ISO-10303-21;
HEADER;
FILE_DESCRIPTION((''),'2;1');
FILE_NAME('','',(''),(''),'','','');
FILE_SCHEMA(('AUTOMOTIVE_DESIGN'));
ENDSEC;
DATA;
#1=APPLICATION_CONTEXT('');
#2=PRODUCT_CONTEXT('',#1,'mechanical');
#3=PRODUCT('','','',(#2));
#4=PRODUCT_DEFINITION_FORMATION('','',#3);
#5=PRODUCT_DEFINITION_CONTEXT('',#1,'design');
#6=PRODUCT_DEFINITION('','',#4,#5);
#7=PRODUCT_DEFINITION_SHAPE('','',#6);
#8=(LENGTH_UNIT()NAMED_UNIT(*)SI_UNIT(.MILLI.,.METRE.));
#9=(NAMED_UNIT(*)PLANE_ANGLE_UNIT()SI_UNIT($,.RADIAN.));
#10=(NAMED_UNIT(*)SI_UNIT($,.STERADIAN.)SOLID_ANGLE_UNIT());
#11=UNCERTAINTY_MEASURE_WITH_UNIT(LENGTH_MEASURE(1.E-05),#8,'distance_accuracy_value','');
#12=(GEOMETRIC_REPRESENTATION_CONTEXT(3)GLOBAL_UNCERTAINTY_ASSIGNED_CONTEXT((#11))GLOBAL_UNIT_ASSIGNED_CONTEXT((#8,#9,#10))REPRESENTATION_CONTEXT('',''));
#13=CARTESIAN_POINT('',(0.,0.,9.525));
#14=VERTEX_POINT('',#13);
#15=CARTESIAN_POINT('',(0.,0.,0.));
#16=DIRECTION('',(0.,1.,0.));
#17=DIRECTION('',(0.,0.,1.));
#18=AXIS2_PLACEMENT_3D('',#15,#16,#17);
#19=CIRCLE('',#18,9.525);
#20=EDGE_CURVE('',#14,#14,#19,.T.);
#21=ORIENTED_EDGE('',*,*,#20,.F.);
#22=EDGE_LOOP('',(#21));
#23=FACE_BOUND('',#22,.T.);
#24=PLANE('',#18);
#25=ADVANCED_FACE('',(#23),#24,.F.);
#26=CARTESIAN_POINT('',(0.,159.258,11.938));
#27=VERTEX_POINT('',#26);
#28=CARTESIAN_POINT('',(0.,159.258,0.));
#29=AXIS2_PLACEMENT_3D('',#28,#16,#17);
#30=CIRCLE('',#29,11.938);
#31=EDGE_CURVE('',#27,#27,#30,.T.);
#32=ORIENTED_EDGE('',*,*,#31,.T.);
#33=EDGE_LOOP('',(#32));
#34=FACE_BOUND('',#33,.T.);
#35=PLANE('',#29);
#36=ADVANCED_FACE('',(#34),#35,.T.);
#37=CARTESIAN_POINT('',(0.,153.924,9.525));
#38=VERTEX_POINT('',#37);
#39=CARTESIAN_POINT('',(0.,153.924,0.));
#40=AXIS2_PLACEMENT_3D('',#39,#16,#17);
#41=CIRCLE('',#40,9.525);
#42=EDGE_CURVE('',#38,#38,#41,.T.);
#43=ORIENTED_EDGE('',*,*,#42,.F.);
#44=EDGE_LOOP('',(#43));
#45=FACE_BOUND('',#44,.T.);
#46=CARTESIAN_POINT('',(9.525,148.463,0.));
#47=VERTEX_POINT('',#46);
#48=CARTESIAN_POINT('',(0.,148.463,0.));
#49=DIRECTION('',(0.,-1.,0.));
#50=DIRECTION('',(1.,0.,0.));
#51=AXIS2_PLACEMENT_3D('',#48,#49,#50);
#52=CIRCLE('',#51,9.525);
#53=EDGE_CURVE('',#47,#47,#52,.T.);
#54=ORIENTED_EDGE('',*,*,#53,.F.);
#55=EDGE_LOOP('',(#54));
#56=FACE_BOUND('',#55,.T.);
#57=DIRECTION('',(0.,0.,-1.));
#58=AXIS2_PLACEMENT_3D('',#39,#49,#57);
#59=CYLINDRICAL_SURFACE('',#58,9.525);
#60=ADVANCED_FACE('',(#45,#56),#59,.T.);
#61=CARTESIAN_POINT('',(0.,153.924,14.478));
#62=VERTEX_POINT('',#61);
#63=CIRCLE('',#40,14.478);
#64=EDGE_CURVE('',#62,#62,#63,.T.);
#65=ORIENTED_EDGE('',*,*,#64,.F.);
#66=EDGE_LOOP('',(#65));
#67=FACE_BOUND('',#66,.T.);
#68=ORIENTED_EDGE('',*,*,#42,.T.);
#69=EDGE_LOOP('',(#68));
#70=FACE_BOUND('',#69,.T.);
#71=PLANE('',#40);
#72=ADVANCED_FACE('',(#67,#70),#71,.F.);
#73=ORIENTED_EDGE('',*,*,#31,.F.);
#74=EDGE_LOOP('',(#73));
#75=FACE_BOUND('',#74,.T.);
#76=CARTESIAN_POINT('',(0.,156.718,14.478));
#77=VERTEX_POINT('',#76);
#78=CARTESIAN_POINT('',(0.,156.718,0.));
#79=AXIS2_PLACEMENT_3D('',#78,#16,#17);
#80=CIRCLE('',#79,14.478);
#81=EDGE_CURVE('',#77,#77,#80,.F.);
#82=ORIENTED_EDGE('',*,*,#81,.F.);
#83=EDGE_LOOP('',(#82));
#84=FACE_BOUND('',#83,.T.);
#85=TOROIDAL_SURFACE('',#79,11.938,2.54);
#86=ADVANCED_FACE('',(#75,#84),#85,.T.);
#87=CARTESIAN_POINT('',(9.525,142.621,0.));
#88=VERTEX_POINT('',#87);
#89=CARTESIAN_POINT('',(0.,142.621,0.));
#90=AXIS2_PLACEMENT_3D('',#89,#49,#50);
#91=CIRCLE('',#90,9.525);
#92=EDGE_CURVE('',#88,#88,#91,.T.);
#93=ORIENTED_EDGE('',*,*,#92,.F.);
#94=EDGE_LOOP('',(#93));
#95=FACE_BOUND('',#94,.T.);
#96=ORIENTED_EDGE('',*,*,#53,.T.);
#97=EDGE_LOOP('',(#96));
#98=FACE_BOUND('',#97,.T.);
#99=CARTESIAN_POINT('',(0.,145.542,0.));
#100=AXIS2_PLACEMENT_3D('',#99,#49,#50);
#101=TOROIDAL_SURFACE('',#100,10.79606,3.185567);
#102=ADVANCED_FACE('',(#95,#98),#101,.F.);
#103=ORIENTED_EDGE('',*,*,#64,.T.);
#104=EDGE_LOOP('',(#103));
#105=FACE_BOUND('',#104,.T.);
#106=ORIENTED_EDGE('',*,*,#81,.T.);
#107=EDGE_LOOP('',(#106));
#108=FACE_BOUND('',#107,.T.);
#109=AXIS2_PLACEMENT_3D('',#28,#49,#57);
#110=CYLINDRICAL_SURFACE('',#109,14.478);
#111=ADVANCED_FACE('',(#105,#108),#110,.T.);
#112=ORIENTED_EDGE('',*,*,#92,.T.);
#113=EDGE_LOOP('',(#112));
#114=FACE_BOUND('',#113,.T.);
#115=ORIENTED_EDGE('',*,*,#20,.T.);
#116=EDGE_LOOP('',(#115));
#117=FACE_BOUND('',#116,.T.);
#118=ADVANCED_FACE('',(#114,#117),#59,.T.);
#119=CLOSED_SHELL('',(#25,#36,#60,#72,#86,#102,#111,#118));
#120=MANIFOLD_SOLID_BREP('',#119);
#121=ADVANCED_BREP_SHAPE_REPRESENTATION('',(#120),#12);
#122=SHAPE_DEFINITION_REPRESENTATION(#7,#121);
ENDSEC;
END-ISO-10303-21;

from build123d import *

# Parameters (mm, degrees)
SKETCH2_R      = 9.525
EXTRUDE1_DEPTH = 153.924
SKETCH3_R      = 14.478
EXTRUDE2_DEPTH = 5.334
FILLET1_R      = 2.54


with BuildPart() as part:
    # Sketch2 → Extrude1 (new body)
    with BuildSketch(Plane(origin=(0, 0, 0), x_dir=(1, 0, 0), z_dir=(0, 1, 0))):
        Circle(SKETCH2_R)
    extrude(amount=EXTRUDE1_DEPTH)

    # Sketch3 → Extrude2 (add)
    with BuildSketch(Plane(origin=(0, 153.924, 0), x_dir=(-1, 0, 0), z_dir=(0, 1, 0))):
        Circle(SKETCH3_R)
    extrude(amount=EXTRUDE2_DEPTH)

    # Sketch14 → Cut-Revolve1 (revolve, cut)
    with BuildSketch(Plane.XY):
        with BuildLine():
            Line((9.525, 148.463), (9.525, 142.621))
            ThreePointArc((9.525, 142.621), (7.610493481, 145.542), (9.525, 148.463))
        make_face()
    revolve(axis=Axis((0, 145.542, 0), (0, 1, 0)), mode=Mode.SUBTRACT)

    # Fillet1
    fillet1_edges = [part.edges().sort_by_distance(p)[0] for p in [
        (14.478, 159.258, 0),
    ]]
    fillet(fillet1_edges, radius=FILLET1_R)


solid = part.part
